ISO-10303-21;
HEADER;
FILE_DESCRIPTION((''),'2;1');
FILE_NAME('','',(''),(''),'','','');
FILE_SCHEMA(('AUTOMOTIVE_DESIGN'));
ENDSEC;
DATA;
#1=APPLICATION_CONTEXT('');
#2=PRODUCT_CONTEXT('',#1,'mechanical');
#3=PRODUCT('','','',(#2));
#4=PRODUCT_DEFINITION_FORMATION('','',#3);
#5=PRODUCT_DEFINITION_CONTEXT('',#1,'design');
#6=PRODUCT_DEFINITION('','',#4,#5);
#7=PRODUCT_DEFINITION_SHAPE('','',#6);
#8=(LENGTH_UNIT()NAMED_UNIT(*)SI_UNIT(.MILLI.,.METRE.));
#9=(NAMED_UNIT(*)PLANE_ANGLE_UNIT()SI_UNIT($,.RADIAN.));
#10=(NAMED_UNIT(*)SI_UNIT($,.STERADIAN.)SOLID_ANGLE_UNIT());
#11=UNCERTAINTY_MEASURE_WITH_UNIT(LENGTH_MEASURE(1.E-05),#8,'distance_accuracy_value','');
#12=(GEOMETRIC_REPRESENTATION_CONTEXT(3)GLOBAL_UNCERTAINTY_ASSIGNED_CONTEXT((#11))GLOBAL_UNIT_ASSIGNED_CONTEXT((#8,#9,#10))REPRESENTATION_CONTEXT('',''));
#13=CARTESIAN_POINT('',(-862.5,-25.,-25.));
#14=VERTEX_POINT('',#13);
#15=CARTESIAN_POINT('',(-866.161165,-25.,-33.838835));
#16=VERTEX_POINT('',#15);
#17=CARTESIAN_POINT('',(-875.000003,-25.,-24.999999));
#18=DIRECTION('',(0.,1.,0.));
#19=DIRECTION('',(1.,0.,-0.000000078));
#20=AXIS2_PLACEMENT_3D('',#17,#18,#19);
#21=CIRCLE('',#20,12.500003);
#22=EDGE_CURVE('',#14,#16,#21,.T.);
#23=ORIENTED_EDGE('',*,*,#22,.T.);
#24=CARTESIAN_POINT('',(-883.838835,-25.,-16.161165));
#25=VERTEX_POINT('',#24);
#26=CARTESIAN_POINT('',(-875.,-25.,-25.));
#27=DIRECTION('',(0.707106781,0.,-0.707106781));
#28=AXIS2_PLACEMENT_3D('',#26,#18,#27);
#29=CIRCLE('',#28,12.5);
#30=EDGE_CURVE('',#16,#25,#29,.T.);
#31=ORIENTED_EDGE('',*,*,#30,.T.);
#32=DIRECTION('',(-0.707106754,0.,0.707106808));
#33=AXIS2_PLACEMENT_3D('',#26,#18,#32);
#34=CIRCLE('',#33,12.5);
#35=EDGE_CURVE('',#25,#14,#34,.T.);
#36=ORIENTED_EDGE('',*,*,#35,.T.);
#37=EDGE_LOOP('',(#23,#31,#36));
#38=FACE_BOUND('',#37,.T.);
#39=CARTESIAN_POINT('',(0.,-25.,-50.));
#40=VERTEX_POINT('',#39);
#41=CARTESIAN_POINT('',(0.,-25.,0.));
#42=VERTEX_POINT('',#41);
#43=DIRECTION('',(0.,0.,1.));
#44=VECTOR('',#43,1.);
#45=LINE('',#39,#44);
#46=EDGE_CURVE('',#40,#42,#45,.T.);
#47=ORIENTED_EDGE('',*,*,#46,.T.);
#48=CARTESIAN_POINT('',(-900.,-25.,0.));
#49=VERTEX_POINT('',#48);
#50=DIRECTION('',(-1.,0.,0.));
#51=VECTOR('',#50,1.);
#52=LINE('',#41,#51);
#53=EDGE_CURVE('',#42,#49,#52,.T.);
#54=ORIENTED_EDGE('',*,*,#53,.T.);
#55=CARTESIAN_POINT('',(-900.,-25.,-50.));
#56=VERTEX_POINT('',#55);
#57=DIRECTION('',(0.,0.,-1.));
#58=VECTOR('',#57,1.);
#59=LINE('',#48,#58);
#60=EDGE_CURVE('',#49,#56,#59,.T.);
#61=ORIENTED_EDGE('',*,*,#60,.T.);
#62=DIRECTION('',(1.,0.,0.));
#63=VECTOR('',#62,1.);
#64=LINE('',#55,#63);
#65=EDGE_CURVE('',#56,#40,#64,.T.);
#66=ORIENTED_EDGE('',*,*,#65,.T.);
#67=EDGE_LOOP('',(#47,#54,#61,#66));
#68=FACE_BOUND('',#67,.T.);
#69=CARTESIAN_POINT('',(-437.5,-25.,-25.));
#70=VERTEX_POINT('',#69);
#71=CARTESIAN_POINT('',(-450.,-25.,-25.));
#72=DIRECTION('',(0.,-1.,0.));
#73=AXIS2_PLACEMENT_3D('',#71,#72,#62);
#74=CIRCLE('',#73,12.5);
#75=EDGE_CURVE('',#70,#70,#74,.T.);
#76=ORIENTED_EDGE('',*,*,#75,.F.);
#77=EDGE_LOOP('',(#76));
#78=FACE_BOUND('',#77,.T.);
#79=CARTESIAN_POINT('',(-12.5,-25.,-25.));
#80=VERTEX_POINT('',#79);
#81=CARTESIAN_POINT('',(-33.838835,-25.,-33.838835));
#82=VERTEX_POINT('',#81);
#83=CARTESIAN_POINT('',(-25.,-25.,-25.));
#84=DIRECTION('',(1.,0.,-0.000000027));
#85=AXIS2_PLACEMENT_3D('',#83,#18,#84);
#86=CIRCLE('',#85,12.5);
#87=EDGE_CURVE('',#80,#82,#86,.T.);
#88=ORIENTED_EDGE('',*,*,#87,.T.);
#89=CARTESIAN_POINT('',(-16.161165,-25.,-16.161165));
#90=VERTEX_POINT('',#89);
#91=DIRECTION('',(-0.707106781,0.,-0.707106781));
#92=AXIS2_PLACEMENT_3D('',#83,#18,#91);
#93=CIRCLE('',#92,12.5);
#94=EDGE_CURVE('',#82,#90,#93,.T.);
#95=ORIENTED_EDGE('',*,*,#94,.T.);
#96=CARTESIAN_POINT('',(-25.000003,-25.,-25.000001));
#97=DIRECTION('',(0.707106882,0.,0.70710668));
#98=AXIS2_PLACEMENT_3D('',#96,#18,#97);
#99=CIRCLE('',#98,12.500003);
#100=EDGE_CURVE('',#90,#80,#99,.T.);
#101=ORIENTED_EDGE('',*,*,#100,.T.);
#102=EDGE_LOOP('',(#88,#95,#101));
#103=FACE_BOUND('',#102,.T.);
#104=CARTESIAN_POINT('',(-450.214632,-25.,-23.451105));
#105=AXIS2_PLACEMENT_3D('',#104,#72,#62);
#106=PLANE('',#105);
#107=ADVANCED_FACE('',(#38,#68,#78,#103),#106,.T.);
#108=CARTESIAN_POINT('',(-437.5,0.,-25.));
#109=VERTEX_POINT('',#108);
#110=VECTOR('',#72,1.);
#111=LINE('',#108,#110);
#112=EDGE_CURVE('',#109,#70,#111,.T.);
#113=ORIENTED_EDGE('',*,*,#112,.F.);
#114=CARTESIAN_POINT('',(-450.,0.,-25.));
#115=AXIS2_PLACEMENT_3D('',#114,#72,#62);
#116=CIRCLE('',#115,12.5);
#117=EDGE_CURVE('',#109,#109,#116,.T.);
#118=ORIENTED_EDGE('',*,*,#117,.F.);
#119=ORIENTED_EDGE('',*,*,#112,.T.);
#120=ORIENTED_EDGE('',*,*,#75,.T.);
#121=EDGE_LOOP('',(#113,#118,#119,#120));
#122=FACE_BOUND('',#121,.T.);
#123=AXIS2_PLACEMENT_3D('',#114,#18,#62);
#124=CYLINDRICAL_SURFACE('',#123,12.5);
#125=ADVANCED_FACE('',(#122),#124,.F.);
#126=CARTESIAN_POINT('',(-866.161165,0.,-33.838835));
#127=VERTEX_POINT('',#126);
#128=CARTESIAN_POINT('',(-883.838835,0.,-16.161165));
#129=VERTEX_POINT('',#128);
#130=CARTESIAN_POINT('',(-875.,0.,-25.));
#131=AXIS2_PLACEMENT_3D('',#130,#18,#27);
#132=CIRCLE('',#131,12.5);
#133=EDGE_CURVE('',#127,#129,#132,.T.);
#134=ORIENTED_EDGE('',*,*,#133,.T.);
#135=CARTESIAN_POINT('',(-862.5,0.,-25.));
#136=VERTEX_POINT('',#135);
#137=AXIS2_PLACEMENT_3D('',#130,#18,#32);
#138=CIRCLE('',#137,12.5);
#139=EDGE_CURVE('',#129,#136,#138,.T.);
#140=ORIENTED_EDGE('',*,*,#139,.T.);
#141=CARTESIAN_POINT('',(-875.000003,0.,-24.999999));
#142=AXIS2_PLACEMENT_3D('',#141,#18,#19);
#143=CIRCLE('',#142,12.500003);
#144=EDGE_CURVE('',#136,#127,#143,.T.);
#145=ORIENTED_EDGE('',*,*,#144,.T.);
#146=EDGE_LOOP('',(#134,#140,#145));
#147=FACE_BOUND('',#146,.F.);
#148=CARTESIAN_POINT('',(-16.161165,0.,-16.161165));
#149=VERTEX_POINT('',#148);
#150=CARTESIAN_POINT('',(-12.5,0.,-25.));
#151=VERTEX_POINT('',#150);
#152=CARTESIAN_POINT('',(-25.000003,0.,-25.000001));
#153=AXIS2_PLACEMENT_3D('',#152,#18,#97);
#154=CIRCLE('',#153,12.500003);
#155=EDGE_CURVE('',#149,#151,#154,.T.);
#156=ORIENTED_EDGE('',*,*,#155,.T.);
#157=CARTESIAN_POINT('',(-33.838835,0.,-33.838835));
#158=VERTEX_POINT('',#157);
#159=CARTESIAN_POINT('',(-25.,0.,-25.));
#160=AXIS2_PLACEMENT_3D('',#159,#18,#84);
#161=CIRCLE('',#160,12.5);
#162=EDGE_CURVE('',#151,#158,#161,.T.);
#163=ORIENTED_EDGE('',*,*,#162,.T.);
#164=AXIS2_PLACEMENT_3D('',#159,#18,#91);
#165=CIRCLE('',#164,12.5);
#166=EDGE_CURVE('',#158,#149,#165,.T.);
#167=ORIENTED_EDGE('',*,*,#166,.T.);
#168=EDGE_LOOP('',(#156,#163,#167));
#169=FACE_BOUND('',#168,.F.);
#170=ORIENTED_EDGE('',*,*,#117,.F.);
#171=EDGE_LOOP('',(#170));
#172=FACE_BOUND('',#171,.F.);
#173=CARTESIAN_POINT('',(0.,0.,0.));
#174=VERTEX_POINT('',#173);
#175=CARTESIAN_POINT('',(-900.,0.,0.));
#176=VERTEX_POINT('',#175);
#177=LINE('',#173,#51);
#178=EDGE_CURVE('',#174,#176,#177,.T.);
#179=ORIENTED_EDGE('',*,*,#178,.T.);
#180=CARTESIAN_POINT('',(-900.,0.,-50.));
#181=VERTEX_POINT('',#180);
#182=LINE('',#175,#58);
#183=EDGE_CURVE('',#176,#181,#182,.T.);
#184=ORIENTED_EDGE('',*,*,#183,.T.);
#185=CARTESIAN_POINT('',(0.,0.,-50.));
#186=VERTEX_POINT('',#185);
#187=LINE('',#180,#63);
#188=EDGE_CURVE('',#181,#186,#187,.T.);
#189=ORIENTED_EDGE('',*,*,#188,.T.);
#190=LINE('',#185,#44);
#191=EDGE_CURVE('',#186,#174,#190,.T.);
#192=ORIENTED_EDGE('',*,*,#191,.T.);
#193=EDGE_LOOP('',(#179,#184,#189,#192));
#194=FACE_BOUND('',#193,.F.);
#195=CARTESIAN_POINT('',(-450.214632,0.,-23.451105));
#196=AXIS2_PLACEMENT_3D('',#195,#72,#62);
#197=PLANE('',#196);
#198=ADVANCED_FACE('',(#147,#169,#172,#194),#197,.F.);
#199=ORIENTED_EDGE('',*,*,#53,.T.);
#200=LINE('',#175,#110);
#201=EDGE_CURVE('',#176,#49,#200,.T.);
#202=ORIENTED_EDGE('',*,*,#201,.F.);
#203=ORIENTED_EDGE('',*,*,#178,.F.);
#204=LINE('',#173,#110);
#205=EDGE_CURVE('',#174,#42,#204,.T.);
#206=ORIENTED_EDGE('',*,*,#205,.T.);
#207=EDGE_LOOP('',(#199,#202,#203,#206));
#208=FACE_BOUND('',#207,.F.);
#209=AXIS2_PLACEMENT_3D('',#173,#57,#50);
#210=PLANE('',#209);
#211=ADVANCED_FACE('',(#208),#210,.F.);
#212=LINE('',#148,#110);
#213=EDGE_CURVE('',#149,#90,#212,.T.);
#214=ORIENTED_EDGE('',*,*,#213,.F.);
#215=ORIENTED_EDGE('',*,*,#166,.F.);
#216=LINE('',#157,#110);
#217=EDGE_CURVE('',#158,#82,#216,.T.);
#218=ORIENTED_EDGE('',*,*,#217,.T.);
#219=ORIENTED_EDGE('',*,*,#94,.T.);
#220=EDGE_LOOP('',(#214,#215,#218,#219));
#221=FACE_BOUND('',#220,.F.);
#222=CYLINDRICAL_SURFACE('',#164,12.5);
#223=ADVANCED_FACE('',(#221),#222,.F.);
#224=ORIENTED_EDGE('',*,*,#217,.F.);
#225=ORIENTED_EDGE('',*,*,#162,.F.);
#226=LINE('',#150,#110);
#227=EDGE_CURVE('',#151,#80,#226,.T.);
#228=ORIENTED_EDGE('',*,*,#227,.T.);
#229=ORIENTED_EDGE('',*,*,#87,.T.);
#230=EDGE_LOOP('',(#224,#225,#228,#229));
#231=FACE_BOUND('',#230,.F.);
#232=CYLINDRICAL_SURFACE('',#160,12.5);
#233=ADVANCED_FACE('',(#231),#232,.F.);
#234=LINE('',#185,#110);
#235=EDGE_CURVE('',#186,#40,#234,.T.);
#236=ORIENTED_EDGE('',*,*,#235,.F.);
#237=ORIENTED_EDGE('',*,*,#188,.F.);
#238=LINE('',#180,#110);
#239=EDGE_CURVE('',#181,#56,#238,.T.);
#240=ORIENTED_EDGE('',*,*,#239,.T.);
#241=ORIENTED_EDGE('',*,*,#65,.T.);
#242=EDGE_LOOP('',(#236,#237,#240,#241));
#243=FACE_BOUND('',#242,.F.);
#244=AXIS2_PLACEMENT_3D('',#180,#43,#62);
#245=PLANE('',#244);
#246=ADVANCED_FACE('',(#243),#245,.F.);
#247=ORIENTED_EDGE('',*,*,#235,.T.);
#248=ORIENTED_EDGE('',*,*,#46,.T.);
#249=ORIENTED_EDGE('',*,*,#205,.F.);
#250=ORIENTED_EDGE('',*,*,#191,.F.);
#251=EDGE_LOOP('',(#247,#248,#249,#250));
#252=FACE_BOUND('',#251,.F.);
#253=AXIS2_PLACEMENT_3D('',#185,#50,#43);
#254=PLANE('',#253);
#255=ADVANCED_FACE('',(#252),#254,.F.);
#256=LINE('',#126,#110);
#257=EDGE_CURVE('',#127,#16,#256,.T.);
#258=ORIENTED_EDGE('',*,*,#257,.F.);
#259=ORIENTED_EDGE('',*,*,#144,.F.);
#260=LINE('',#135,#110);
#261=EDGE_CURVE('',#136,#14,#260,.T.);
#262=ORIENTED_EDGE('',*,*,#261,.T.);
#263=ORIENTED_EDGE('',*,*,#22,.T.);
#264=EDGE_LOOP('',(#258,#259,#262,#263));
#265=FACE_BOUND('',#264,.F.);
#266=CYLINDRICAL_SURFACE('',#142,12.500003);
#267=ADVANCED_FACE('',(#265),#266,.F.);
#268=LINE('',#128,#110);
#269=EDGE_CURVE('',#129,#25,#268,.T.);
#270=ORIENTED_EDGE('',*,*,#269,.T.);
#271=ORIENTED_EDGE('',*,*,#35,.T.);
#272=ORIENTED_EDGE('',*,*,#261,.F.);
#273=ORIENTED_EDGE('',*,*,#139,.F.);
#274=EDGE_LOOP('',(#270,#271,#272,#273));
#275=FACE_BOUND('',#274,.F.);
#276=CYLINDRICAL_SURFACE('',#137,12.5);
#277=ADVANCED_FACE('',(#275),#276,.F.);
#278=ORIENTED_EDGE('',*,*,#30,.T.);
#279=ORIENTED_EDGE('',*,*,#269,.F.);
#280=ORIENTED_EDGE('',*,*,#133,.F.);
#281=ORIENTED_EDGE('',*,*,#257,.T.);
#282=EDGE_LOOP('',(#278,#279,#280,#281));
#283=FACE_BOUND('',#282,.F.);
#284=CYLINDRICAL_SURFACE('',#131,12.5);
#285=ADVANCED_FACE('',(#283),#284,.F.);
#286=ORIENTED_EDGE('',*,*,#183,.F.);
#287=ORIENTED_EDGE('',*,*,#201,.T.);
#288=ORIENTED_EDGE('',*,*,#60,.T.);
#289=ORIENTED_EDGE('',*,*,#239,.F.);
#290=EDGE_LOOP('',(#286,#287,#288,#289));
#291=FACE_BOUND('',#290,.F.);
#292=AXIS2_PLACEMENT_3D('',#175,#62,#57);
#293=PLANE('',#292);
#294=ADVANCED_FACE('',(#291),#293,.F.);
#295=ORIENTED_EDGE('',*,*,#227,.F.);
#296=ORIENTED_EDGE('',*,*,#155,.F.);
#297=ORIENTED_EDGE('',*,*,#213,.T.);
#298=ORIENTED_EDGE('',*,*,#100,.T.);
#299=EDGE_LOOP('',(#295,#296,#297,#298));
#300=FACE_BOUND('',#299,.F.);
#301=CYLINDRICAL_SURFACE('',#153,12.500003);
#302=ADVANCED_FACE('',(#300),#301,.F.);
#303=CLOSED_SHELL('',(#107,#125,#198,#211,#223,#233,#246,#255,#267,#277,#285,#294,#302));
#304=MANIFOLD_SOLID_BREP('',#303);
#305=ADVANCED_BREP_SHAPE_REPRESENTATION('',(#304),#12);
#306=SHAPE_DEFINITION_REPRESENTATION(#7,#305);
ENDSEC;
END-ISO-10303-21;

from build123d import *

# Parameters (mm, degrees)
F0_R     = 12.5
F1_DEPTH = 25


with BuildPart() as f1:
    # F0 (on Front) → F1 (new body)
    with BuildSketch(Plane.XZ):
        with BuildLine():
            Line((-16.161165, -16.161165), (0, 0))
            Line((0, 0), (-900, 0))
            Line((-900, 0), (-883.838835, -16.161165))
            ThreePointArc((-883.838835, -16.161165), (-870.216457, -13.451506), (-862.5, -25))
            ThreePointArc((-862.5, -25), (-863.451506, -29.783543), (-866.161165, -33.838835))
            Line((-866.161165, -33.838835), (-850, -50))
            Line((-850, -50), (-50, -50))
            Line((-50, -50), (-33.838835, -33.838835))
            ThreePointArc((-33.838835, -33.838835), (-33.838835, -16.161165), (-16.161165, -16.161165))
        make_face()
        with Locations((-450, -25)):
            Circle(F0_R, mode=Mode.SUBTRACT)
        with BuildLine():
            Line((0, -50), (0, 0))
            Line((0, 0), (-16.161165, -16.161165))
            ThreePointArc((-16.161165, -16.161165), (-13.451506, -20.216457), (-12.5, -25))
            ThreePointArc((-12.5, -25), (-20.216457, -36.548494), (-33.838835, -33.838835))
            Line((-33.838835, -33.838835), (-50, -50))
            Line((-50, -50), (0, -50))
        make_face()
        with BuildLine():
            Line((-883.838835, -16.161165), (-900, 0))
            Line((-900, 0), (-900, -50))
            Line((-900, -50), (-850, -50))
            Line((-850, -50), (-866.161165, -33.838835))
            ThreePointArc((-866.161165, -33.838835), (-883.838835, -33.838835), (-883.838835, -16.161165))
        make_face()
    extrude(amount=F1_DEPTH)


solid = f1.part
